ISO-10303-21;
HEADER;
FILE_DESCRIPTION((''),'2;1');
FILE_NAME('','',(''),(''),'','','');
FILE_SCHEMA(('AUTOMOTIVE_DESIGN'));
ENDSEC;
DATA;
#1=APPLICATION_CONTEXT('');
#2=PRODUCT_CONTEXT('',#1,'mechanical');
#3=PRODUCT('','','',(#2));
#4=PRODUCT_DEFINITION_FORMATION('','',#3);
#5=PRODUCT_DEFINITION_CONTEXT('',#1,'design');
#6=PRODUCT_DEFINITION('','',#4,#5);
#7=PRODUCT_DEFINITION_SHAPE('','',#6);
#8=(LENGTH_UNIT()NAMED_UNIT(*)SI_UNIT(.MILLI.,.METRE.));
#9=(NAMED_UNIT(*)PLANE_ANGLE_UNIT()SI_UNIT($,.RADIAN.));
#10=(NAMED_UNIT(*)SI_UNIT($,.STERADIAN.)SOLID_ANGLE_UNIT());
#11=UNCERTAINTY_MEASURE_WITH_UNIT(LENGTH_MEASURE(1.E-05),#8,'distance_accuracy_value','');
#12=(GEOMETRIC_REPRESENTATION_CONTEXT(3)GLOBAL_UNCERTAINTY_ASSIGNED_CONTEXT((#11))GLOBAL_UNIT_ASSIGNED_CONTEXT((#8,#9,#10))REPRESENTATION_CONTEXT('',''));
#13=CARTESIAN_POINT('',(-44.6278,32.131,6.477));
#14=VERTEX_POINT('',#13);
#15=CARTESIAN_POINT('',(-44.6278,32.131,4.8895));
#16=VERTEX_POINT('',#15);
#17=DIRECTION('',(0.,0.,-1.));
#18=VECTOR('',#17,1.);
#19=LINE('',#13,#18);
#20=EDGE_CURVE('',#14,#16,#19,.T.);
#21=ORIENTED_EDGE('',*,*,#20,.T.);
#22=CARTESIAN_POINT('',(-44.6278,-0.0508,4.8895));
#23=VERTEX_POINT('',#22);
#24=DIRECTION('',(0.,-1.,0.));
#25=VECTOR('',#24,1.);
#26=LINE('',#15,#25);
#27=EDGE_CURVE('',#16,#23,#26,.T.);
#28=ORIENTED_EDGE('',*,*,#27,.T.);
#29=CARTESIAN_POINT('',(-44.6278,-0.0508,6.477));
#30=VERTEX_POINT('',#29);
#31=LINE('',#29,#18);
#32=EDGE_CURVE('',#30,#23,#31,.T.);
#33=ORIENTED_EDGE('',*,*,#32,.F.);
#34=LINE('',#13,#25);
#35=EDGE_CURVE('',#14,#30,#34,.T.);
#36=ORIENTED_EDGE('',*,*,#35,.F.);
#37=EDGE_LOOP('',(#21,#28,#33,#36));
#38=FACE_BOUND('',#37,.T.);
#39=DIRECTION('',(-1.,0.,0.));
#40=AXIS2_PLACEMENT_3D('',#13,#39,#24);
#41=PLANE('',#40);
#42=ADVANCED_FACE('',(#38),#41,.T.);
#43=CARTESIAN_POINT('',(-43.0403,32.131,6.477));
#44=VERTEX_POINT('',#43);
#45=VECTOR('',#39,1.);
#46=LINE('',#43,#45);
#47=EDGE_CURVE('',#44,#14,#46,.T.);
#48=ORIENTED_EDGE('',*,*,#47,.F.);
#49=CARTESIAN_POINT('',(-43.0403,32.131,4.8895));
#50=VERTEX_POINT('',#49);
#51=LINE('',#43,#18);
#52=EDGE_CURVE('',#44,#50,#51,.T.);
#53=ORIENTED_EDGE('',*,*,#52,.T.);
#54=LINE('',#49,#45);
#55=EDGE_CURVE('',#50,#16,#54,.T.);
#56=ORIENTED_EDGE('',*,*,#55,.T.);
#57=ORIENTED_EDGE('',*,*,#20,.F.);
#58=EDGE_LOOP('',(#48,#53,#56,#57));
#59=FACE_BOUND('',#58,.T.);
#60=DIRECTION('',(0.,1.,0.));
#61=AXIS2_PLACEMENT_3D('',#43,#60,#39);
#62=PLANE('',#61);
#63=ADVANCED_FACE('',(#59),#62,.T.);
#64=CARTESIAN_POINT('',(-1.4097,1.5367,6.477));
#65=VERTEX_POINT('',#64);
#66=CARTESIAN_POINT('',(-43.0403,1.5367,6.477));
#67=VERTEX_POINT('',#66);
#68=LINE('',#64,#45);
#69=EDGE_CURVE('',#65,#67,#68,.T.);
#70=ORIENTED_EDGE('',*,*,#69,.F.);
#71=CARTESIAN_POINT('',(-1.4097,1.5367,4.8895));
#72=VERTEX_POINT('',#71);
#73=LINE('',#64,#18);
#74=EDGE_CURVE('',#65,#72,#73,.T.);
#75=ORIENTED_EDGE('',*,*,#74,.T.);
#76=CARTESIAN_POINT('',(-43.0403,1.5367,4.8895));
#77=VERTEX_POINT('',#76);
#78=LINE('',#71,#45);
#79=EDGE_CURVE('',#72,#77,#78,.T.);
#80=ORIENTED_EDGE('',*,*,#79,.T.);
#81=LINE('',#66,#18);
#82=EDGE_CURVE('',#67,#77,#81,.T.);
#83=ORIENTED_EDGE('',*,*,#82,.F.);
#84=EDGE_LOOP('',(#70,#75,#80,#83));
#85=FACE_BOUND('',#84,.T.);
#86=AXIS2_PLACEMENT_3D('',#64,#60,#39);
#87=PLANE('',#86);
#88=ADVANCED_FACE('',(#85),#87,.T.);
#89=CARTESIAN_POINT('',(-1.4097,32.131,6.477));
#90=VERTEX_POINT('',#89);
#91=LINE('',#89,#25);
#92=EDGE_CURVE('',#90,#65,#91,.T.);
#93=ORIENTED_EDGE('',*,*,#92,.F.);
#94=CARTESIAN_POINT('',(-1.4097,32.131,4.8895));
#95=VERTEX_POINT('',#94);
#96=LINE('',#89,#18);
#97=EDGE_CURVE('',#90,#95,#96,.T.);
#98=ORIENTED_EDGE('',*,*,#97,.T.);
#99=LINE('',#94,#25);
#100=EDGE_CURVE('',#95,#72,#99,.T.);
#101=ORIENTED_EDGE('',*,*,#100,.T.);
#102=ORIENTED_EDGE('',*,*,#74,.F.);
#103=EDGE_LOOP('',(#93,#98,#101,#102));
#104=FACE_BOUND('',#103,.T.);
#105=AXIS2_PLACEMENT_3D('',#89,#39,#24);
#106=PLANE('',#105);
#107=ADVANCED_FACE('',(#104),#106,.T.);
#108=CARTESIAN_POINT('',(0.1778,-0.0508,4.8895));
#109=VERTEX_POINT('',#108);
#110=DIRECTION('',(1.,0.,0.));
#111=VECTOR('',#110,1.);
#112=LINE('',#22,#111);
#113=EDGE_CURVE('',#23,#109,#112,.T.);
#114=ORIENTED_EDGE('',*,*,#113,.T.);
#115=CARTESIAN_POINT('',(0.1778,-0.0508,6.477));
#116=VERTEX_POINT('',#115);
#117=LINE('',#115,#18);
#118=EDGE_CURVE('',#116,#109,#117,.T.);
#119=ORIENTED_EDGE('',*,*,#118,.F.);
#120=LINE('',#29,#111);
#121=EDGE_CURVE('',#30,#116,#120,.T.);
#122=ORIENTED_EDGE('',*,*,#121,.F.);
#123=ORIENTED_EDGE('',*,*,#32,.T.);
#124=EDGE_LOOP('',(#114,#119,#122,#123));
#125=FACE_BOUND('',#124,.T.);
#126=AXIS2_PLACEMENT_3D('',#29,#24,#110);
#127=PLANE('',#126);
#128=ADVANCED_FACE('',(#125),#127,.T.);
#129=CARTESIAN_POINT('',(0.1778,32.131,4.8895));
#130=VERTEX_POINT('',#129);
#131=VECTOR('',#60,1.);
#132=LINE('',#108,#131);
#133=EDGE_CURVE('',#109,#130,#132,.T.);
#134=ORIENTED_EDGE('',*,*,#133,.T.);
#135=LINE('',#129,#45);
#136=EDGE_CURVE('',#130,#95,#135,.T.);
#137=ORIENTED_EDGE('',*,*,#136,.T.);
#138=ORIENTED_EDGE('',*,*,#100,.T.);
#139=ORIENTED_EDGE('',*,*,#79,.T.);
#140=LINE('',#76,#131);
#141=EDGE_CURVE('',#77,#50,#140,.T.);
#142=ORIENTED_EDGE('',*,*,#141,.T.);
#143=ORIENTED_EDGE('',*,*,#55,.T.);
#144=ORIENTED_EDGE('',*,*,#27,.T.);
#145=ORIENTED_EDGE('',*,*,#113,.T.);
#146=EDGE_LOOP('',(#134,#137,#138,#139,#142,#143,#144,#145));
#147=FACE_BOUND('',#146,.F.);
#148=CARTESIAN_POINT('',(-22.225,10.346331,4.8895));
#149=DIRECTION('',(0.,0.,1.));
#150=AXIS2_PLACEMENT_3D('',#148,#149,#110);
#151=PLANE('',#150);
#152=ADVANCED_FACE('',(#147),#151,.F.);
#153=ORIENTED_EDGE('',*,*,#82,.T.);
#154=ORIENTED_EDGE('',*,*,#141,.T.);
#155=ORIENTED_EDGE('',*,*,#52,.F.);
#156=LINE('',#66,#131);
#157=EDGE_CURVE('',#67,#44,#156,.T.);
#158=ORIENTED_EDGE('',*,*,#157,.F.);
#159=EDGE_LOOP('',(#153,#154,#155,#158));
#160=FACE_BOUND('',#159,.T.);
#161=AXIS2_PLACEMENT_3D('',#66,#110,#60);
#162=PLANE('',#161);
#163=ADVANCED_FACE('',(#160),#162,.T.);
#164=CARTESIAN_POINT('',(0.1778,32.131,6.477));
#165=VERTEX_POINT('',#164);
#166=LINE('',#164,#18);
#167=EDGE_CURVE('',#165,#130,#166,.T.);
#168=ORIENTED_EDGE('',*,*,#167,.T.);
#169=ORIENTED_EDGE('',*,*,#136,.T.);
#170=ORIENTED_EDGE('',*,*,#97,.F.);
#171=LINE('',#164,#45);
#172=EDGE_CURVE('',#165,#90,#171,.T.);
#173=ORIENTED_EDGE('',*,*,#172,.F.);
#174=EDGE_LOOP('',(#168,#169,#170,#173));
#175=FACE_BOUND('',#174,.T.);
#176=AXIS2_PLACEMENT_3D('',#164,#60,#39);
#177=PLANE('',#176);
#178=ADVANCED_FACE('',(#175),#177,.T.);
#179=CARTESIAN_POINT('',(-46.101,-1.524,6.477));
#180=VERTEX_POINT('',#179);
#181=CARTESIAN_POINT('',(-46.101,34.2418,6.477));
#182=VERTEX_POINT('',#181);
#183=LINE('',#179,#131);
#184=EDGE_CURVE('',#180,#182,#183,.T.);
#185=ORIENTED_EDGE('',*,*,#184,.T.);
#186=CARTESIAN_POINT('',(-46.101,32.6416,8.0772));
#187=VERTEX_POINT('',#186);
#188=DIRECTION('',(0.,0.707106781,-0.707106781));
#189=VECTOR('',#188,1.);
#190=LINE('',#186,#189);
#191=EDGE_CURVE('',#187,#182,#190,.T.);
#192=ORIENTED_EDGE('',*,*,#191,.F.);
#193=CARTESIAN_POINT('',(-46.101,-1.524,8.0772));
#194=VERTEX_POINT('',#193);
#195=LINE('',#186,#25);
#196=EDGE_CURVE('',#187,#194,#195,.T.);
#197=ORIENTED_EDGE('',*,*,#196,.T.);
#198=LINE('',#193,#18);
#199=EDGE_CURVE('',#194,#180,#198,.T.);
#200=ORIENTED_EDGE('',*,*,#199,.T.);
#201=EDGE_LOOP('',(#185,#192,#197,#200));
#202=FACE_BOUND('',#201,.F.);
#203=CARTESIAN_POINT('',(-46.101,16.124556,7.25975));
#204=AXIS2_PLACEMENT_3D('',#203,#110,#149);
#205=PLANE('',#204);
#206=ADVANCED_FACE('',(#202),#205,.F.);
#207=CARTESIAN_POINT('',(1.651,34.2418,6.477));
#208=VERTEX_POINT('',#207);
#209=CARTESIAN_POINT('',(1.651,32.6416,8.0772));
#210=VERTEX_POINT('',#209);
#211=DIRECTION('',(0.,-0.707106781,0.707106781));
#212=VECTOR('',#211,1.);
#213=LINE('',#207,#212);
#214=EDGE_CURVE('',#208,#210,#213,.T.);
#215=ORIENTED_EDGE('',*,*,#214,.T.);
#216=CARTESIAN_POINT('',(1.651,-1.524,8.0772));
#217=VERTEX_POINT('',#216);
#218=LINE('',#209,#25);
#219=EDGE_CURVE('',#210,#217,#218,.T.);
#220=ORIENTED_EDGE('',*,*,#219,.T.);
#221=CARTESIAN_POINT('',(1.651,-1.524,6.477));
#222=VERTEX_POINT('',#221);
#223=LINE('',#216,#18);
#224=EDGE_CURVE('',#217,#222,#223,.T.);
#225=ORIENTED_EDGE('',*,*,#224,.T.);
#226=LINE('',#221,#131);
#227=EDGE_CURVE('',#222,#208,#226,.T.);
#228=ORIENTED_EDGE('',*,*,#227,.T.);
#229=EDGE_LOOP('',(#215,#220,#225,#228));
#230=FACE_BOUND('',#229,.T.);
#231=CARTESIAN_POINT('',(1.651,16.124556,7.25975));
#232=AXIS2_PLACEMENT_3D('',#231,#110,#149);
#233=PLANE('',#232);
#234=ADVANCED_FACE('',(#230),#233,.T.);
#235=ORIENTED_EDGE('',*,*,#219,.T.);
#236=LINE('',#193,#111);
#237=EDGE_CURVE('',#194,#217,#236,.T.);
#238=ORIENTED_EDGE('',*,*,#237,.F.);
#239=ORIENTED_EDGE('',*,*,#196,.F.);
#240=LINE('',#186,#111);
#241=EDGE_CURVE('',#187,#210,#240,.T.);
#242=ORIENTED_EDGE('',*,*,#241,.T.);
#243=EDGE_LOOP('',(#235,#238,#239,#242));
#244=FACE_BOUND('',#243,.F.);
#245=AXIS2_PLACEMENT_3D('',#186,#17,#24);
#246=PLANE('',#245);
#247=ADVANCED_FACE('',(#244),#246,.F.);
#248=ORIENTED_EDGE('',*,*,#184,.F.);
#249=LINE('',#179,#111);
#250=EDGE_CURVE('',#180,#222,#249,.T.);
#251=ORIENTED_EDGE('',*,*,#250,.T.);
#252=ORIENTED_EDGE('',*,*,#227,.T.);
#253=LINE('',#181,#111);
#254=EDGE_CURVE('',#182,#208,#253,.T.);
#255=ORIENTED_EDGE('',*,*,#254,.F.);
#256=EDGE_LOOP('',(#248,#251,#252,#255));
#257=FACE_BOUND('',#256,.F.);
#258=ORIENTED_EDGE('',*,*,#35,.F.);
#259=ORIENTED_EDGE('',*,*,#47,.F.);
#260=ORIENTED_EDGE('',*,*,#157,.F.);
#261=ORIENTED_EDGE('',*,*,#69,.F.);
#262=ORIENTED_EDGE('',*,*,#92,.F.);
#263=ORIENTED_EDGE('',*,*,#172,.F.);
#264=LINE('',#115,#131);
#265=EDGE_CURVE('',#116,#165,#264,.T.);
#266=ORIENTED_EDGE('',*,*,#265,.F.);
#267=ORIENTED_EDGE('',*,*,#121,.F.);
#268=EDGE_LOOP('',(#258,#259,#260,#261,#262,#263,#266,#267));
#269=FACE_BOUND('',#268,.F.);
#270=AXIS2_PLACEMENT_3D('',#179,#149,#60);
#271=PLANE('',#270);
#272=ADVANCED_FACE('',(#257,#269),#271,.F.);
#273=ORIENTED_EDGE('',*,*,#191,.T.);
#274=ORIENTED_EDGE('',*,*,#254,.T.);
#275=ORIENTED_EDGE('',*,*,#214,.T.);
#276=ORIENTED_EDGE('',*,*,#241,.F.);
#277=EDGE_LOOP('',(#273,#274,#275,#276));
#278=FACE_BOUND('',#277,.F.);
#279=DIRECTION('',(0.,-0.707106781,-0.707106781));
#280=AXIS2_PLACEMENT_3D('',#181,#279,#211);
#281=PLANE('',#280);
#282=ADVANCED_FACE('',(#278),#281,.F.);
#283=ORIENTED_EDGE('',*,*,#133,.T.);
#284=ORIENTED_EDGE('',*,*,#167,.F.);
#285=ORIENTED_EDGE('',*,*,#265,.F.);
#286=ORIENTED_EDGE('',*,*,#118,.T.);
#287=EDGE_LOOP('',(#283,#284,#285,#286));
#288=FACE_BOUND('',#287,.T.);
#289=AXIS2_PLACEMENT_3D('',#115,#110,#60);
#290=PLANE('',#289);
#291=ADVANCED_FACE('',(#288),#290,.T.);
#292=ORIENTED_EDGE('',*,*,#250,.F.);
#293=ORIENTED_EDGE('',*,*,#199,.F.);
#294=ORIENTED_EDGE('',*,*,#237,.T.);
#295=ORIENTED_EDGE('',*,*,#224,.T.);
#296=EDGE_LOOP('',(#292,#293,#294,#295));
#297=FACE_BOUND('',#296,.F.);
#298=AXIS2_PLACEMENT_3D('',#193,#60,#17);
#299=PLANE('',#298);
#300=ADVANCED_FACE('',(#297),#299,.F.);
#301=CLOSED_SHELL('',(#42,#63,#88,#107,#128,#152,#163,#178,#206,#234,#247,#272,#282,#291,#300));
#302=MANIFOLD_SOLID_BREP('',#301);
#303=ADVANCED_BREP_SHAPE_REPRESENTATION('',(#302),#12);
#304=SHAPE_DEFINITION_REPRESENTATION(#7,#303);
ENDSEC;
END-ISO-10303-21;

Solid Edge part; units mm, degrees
sketch "Sketch1" plane through (-46.101, 17.2085, 2.3876) normal (-1, 0, 0) x (0, -1, 0)
  line L0 (18.7325, 4.0894) -> (-17.0333, 4.0894)
  line L1 (-17.0333, 4.0894) -> (-16.3589, 4.7638)
  line L2 (-16.3589, 4.7638) -> (-15.4331, 5.6896)
  line L3 (-15.4331, 5.6896) -> (18.7325, 5.6896)
  line L4 (18.7325, 5.6896) -> (18.7325, 4.0894)
extrude "Protrusion1" add sketch "Sketch1" against normal up to vertex (47.752 mm away)
sketch "Sketch2" plane through (-22.225, 16.2954, 6.477) normal (0, 0, -1) x (0, -1, 0)
  line L0 (14.7587, 20.8153) -> (-15.8356, 20.8153)
  line L1 (-15.8356, 20.8153) -> (-15.8356, 22.4028)
  line L2 (-15.8356, 22.4028) -> (16.3462, 22.4028)
  line L3 (16.3462, 22.4028) -> (16.3462, -22.4028)
  line L4 (16.3462, -22.4028) -> (-15.8356, -22.4028)
  line L5 (-15.8356, -22.4028) -> (-15.8356, -20.8153)
  line L6 (-15.8356, -20.8153) -> (14.7587, -20.8153)
  line L7 (14.7587, -20.8153) -> (14.7587, 20.8153)
extrude "Protrusion2" add sketch "Sketch2" along normal blind 1.5875
